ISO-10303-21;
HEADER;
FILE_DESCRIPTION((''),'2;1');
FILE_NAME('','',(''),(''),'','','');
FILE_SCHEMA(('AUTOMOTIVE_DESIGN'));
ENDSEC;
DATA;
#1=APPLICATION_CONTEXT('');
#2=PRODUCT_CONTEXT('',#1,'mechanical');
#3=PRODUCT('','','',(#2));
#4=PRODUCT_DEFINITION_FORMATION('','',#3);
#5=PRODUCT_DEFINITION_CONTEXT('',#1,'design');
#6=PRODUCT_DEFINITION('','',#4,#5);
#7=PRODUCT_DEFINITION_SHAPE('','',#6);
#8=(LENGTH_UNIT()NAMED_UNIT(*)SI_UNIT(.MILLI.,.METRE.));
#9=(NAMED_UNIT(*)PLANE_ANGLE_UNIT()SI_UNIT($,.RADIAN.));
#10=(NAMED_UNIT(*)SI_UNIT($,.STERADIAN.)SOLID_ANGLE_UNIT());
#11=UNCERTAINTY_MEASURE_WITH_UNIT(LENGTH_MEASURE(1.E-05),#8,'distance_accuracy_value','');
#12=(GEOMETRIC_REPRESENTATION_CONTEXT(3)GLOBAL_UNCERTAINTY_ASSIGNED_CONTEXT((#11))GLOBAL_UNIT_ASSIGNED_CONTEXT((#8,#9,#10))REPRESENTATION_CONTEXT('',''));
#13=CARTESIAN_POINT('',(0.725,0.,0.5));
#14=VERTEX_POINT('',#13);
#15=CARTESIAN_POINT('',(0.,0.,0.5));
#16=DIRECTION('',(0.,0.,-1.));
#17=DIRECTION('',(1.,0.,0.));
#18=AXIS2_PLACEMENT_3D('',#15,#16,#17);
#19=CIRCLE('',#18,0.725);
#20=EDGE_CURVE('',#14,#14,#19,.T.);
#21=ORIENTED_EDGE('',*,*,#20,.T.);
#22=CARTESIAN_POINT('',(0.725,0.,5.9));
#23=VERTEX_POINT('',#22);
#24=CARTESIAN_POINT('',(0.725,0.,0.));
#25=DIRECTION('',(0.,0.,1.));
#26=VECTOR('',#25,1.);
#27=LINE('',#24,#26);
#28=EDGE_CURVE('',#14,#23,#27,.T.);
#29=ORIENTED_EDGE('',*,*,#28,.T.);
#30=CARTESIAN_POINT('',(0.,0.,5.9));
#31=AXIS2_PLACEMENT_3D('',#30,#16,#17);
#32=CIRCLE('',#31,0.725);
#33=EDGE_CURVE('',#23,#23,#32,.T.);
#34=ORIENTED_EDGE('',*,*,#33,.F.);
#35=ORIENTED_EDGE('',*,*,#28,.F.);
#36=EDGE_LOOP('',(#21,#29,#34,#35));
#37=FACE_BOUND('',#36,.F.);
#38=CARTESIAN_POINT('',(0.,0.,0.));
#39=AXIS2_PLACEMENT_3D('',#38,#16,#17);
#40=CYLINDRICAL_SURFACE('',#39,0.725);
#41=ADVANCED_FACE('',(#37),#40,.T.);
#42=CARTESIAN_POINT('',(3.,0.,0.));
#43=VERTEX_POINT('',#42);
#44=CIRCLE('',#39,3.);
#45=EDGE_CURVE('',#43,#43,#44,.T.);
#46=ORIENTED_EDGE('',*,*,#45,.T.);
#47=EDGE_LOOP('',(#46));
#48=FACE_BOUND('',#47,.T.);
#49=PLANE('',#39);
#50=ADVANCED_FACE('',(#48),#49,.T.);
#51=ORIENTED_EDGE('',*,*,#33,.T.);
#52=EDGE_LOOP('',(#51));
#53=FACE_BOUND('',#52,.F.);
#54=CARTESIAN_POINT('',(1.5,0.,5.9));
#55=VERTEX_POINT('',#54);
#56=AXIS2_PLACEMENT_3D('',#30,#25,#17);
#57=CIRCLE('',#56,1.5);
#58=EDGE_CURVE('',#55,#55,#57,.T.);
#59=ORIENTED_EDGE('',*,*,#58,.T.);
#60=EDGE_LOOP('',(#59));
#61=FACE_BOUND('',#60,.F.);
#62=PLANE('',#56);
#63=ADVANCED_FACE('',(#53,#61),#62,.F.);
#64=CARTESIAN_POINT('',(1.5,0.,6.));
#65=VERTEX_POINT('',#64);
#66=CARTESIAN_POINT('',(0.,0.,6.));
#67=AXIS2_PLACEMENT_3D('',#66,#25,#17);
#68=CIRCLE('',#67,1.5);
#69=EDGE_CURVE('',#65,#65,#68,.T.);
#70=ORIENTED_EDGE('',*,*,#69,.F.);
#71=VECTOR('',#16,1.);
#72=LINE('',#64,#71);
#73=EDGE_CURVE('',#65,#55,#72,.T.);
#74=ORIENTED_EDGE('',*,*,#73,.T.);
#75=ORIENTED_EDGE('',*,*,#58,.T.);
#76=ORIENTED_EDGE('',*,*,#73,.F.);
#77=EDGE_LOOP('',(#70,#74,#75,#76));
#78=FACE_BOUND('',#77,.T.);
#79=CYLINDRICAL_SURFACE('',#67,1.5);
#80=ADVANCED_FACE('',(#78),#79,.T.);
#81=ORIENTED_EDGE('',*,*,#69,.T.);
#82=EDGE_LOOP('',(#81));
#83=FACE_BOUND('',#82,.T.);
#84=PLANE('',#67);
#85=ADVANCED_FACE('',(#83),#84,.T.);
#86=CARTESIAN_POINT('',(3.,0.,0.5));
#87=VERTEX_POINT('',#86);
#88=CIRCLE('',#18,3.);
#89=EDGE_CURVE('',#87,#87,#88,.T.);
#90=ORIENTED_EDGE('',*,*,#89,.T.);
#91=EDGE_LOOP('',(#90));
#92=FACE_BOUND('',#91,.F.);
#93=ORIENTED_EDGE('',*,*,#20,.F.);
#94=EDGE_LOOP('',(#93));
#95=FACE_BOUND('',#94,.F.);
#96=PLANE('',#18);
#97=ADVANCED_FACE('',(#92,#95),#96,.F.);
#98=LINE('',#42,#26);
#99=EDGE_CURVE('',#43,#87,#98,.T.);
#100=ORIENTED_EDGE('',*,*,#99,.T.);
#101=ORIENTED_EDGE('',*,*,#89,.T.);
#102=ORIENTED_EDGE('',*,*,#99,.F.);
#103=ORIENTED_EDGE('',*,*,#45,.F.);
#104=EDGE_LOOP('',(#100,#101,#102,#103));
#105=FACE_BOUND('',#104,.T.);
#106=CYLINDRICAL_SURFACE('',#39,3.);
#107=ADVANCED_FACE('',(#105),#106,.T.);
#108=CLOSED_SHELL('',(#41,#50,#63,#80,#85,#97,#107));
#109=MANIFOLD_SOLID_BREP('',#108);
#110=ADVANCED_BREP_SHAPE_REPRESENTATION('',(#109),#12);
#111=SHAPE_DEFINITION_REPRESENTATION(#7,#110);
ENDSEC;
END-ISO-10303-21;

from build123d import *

# Parameters (mm, degrees)
F0_R     = 0.725
F1_DEPTH = 6
F2_R     = 1.5
F3_DEPTH = 0.1
F4_R     = 3
F5_DEPTH = 0.5


with BuildPart() as f1:
    # F0 (on Top) → F1 (new body)
    with BuildSketch(Plane.XY):
        Circle(F0_R)
    extrude(amount=F1_DEPTH)

    # F2 (on face) → F3 (join)
    with BuildSketch(Plane.XY.offset(6)):
        Circle(F2_R)
    extrude(amount=-F3_DEPTH)

    # F4 (on face) → F5 (join)
    with BuildSketch(Plane(origin=(0, 0, 0), x_dir=(1, 0, 0), z_dir=(0, 0, -1))):
        Circle(F4_R)
    extrude(amount=-F5_DEPTH)


solid = f1.part
